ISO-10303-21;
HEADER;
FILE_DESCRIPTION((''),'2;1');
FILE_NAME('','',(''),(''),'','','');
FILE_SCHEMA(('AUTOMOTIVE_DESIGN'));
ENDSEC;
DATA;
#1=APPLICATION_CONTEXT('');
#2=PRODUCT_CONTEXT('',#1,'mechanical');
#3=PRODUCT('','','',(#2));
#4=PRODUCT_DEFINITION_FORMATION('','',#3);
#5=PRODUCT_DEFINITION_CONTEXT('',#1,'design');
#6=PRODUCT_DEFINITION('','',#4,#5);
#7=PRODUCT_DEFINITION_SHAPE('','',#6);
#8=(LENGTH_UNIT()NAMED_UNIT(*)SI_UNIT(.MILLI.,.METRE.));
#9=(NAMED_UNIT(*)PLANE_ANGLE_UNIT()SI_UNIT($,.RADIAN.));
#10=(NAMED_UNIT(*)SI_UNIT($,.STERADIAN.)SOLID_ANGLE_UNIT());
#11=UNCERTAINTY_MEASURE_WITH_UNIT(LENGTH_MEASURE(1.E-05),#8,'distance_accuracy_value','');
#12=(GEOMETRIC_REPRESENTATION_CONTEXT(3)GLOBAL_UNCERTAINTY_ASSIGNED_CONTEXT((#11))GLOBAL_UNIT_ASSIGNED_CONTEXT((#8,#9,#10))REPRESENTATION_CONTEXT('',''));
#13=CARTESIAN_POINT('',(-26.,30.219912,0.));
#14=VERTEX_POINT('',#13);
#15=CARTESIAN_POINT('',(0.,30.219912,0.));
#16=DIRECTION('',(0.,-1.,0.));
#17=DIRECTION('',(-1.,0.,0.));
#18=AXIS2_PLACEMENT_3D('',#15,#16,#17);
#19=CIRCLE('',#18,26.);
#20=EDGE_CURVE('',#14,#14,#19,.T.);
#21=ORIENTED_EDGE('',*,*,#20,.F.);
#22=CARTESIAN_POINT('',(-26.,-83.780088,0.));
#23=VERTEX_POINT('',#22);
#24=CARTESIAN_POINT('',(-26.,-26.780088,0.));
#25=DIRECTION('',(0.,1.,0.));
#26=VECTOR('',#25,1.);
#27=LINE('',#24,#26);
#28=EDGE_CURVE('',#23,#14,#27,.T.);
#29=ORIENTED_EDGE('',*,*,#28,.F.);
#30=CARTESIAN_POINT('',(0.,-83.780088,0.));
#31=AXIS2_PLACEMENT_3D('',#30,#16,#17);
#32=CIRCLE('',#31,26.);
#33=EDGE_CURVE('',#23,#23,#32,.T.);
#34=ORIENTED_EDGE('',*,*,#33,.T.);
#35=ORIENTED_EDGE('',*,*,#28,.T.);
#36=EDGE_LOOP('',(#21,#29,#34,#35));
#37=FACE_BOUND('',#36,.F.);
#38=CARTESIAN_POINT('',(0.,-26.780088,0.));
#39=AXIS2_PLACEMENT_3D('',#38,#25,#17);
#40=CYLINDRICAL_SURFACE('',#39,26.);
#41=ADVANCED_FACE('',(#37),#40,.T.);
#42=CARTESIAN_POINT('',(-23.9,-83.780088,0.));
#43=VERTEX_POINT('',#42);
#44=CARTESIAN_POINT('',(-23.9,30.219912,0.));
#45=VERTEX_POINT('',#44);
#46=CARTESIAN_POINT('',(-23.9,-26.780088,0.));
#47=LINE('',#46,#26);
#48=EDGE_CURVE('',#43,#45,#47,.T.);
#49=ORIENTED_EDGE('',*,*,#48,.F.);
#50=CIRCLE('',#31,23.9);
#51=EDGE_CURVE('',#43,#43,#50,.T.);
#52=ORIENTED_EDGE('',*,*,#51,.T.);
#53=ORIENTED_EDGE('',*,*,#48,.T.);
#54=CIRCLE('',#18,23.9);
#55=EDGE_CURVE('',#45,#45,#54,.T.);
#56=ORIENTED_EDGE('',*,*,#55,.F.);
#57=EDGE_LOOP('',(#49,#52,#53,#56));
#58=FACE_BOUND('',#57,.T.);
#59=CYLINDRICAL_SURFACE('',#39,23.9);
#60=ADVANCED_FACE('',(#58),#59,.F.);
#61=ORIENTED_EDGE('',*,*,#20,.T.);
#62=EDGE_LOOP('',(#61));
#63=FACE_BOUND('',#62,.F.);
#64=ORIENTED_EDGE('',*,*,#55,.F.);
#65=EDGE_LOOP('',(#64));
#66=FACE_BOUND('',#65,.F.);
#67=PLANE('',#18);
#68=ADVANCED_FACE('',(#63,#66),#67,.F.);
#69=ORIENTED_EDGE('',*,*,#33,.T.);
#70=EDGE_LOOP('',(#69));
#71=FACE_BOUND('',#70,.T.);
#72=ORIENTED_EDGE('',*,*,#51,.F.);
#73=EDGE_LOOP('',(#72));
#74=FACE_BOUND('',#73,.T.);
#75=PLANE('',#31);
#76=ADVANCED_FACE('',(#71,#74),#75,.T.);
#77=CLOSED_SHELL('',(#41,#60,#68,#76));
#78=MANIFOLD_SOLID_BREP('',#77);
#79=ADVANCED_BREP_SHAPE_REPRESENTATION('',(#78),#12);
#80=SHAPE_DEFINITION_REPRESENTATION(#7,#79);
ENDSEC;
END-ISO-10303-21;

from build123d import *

# Parameters (mm, degrees)
CROQUIS3_W = 2.1
CROQUIS3_H = 114


with BuildPart() as part:
    # Croquis3 → Revolución1 (revolve)
    with BuildSketch(Plane.XY):
        with Locations((-24.95, -26.780088001)):
            Rectangle(CROQUIS3_W, CROQUIS3_H)
    revolve(axis=Axis((0, 30.219911999, 0), (0, -1, 0)))


solid = part.part
